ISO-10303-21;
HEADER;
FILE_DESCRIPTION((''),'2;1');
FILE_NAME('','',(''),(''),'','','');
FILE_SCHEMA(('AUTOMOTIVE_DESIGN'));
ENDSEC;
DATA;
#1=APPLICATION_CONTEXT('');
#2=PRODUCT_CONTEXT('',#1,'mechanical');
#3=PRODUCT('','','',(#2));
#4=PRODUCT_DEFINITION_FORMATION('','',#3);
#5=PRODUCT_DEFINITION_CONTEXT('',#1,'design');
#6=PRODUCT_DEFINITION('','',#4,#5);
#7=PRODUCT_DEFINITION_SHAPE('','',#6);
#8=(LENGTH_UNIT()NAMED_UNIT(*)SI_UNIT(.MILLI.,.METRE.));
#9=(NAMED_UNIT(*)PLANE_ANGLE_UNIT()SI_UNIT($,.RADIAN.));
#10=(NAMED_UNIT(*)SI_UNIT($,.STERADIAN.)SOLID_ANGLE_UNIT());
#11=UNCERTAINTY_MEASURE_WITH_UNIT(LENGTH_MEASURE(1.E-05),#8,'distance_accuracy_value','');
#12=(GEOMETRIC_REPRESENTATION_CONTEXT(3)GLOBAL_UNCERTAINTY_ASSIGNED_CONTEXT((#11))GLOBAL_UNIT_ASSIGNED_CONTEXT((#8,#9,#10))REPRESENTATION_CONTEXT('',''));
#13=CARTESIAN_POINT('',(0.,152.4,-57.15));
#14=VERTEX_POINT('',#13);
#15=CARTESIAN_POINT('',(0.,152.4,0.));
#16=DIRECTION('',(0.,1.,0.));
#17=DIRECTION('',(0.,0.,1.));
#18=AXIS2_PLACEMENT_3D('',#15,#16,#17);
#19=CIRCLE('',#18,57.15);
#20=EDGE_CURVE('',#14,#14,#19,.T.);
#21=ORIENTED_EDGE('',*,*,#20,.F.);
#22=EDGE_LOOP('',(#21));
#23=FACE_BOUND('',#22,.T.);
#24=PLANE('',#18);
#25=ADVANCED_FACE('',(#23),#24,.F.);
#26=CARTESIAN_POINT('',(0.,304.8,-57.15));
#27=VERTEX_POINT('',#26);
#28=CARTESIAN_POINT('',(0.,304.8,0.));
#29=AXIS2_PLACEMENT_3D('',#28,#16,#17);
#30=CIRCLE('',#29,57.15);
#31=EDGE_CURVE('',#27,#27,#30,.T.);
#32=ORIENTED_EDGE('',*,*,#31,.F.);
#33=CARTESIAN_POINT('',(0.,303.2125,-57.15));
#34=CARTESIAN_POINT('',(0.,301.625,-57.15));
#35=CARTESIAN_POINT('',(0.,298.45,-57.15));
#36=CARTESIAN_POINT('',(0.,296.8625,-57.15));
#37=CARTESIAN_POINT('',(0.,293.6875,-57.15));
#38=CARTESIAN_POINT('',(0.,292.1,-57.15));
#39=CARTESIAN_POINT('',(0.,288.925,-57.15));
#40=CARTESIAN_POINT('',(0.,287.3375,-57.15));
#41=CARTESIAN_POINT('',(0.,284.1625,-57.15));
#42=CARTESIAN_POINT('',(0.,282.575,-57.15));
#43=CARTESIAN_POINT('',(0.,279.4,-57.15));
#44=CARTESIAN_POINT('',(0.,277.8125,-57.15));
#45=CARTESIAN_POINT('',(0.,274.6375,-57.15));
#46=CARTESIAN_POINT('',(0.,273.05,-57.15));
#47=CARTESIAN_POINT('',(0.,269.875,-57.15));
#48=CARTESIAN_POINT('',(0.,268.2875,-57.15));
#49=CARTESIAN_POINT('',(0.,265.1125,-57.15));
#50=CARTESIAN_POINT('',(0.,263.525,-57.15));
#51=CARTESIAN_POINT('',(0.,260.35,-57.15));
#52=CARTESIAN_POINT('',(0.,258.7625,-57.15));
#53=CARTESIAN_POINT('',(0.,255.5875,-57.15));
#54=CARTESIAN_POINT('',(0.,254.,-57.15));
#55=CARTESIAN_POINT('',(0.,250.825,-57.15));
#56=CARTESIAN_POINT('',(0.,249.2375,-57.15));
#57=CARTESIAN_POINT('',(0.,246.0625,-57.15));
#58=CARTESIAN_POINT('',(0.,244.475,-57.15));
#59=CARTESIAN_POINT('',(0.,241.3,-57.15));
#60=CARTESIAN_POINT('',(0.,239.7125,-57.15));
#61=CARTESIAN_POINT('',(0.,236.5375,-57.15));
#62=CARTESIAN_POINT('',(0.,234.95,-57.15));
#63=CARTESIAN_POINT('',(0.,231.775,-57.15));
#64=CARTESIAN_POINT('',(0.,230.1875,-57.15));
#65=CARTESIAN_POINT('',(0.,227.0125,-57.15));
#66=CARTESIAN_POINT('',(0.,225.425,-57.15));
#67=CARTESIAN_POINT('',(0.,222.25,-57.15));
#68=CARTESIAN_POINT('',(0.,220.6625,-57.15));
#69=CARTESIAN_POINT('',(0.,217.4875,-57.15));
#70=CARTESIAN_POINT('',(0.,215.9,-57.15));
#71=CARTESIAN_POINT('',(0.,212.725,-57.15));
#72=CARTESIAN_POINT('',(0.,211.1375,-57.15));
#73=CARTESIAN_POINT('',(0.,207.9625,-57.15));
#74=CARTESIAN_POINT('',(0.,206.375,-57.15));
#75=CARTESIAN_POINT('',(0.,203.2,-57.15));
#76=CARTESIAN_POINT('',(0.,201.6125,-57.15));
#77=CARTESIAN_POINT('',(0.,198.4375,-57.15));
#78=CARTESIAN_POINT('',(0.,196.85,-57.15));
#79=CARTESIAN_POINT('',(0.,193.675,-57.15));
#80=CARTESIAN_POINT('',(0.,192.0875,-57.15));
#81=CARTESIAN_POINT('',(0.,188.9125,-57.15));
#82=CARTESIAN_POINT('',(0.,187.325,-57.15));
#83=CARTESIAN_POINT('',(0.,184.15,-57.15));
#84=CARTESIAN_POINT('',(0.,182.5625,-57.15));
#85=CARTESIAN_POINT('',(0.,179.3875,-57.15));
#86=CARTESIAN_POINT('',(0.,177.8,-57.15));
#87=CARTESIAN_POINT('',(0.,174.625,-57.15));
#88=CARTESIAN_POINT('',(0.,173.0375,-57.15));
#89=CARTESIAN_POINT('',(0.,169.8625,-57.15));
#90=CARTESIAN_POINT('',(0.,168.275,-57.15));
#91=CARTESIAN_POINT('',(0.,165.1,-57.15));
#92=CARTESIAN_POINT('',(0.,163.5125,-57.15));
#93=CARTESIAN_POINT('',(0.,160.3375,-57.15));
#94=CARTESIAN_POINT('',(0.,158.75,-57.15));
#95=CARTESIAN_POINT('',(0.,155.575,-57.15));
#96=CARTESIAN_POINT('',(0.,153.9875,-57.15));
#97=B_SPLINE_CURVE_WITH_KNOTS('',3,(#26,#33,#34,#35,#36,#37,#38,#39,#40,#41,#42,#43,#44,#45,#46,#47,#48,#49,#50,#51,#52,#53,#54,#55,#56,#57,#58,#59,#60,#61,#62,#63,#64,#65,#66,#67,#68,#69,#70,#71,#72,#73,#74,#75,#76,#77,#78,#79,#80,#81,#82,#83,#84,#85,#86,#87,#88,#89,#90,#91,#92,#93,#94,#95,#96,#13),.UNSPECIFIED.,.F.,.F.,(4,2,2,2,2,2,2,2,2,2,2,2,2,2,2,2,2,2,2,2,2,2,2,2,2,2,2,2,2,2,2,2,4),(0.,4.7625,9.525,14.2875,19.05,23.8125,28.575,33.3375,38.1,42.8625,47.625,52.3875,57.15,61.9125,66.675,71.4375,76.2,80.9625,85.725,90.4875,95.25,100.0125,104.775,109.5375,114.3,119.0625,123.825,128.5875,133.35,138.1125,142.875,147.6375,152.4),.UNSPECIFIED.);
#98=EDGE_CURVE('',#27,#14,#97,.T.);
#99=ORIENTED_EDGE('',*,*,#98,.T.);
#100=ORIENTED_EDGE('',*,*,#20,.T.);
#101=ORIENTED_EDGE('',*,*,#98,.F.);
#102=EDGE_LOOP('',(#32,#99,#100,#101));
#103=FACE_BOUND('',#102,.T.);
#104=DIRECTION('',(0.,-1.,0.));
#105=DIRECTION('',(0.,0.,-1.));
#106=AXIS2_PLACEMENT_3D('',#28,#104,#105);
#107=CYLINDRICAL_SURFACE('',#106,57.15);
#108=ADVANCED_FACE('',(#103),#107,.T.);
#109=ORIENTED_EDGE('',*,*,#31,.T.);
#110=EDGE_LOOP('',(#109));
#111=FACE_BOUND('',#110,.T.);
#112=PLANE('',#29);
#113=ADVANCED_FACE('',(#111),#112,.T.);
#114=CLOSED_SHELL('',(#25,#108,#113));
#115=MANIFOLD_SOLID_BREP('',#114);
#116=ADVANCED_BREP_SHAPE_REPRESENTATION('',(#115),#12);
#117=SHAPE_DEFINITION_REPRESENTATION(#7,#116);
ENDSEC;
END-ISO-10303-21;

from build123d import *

# Parameters (mm, degrees)
SKETCH1_R      = 57.15
EXTRUDE1_DEPTH = 152.4


with BuildPart() as part:
    # Sketch1 → Extrude1 (new body)
    with BuildSketch(Plane(origin=(0, 152.4, 0), x_dir=(1, 0, 0), z_dir=(0, 1, 0))):
        with Locations(Location((0, 0, 0), (0, 0, 90))):
            Circle(SKETCH1_R)
    extrude(amount=EXTRUDE1_DEPTH)


solid = part.part
